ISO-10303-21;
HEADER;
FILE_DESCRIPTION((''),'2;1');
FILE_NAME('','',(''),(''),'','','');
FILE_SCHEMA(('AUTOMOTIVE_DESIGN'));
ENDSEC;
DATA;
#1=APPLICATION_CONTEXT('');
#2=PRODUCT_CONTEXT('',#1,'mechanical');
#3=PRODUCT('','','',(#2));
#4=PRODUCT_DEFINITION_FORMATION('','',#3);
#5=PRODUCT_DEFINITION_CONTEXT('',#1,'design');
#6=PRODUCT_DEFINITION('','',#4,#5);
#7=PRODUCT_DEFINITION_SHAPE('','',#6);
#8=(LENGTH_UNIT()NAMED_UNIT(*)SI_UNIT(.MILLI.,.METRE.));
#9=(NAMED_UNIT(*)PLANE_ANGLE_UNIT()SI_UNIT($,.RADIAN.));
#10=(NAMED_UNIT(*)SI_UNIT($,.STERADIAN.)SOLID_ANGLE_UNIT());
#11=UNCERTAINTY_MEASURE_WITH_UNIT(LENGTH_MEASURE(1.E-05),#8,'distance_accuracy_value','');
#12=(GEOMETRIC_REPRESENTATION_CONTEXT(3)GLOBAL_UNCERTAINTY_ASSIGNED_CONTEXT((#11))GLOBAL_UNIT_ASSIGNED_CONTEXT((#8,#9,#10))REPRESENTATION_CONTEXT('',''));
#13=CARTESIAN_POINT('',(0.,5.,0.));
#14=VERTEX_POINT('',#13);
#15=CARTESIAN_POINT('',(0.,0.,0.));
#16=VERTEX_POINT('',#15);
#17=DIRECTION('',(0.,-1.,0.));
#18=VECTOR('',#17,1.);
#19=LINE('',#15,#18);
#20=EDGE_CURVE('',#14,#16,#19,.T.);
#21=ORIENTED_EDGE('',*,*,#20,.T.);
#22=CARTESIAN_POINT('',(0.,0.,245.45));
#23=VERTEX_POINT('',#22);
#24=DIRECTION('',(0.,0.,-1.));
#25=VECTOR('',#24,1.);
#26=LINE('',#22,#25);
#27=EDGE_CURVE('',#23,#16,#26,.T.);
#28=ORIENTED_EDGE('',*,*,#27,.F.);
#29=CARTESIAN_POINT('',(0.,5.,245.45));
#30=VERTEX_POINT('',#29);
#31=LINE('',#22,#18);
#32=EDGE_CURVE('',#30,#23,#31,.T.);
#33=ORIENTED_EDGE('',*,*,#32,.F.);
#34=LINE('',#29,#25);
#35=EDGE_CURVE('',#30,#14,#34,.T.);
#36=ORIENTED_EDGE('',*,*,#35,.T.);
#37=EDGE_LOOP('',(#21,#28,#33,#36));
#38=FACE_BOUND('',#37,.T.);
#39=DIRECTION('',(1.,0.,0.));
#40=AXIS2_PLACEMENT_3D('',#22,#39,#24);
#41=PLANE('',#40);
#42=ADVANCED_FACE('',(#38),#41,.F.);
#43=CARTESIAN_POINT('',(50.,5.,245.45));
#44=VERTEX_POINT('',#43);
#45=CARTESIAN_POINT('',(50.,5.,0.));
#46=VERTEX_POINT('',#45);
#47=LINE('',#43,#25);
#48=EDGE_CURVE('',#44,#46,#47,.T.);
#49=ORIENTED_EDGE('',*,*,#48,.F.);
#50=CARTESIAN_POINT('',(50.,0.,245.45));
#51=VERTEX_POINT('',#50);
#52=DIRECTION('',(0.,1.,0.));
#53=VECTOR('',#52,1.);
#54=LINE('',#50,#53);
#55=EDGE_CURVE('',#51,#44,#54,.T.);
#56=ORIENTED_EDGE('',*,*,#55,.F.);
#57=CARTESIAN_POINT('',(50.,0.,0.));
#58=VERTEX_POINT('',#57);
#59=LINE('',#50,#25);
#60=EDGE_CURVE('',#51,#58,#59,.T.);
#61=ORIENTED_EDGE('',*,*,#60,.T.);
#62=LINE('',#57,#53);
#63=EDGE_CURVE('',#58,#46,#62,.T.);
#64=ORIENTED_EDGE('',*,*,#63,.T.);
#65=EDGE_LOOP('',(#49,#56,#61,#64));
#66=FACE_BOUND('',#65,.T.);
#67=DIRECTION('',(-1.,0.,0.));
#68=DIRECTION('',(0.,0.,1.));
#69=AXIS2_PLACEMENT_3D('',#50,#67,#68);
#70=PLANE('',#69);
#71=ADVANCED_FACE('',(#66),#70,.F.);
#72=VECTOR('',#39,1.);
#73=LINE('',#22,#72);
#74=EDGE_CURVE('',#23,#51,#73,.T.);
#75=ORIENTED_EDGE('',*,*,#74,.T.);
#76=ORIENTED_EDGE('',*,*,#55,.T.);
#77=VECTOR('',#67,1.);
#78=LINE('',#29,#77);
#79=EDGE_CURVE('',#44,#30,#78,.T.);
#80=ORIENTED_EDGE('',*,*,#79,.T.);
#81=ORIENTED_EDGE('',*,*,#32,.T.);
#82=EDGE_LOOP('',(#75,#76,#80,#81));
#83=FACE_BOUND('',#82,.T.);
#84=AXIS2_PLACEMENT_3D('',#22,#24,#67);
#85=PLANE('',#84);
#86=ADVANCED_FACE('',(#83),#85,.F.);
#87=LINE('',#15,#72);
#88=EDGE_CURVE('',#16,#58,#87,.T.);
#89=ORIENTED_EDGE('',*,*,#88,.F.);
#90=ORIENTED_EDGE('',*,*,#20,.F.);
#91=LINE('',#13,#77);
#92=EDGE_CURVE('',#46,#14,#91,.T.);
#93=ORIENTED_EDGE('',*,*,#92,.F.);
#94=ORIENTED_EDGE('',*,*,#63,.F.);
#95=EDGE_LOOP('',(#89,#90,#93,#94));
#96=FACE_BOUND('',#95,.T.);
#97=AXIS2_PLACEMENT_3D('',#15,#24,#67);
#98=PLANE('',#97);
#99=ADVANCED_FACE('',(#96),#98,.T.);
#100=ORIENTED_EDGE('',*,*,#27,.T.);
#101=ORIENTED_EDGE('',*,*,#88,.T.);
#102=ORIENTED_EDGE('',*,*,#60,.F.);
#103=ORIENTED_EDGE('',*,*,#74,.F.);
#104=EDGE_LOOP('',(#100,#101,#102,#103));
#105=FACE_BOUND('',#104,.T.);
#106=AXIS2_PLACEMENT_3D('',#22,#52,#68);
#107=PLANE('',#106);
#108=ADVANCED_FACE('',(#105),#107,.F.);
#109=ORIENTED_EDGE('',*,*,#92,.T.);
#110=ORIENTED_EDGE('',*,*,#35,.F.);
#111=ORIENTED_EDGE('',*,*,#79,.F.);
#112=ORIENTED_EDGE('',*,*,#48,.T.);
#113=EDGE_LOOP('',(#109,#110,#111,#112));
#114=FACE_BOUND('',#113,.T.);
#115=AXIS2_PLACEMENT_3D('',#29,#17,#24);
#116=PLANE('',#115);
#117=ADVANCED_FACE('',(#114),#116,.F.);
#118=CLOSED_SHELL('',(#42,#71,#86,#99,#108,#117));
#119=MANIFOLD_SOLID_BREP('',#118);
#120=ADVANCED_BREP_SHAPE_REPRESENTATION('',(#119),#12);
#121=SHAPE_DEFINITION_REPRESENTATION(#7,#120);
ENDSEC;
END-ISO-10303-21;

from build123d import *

# Parameters (mm, degrees)
SZKIC1_W                    = 50
SZKIC1_H                    = 5
DODANIE_WYCI_GNI_CIE1_DEPTH = 245.45


with BuildPart() as part:
    # Szkic1 → Dodanie-wyciągnięcie1 (new body)
    with BuildSketch(Plane.XY):
        with Locations((25, 2.5)):
            Rectangle(SZKIC1_W, SZKIC1_H)
    extrude(amount=DODANIE_WYCI_GNI_CIE1_DEPTH)


solid = part.part
